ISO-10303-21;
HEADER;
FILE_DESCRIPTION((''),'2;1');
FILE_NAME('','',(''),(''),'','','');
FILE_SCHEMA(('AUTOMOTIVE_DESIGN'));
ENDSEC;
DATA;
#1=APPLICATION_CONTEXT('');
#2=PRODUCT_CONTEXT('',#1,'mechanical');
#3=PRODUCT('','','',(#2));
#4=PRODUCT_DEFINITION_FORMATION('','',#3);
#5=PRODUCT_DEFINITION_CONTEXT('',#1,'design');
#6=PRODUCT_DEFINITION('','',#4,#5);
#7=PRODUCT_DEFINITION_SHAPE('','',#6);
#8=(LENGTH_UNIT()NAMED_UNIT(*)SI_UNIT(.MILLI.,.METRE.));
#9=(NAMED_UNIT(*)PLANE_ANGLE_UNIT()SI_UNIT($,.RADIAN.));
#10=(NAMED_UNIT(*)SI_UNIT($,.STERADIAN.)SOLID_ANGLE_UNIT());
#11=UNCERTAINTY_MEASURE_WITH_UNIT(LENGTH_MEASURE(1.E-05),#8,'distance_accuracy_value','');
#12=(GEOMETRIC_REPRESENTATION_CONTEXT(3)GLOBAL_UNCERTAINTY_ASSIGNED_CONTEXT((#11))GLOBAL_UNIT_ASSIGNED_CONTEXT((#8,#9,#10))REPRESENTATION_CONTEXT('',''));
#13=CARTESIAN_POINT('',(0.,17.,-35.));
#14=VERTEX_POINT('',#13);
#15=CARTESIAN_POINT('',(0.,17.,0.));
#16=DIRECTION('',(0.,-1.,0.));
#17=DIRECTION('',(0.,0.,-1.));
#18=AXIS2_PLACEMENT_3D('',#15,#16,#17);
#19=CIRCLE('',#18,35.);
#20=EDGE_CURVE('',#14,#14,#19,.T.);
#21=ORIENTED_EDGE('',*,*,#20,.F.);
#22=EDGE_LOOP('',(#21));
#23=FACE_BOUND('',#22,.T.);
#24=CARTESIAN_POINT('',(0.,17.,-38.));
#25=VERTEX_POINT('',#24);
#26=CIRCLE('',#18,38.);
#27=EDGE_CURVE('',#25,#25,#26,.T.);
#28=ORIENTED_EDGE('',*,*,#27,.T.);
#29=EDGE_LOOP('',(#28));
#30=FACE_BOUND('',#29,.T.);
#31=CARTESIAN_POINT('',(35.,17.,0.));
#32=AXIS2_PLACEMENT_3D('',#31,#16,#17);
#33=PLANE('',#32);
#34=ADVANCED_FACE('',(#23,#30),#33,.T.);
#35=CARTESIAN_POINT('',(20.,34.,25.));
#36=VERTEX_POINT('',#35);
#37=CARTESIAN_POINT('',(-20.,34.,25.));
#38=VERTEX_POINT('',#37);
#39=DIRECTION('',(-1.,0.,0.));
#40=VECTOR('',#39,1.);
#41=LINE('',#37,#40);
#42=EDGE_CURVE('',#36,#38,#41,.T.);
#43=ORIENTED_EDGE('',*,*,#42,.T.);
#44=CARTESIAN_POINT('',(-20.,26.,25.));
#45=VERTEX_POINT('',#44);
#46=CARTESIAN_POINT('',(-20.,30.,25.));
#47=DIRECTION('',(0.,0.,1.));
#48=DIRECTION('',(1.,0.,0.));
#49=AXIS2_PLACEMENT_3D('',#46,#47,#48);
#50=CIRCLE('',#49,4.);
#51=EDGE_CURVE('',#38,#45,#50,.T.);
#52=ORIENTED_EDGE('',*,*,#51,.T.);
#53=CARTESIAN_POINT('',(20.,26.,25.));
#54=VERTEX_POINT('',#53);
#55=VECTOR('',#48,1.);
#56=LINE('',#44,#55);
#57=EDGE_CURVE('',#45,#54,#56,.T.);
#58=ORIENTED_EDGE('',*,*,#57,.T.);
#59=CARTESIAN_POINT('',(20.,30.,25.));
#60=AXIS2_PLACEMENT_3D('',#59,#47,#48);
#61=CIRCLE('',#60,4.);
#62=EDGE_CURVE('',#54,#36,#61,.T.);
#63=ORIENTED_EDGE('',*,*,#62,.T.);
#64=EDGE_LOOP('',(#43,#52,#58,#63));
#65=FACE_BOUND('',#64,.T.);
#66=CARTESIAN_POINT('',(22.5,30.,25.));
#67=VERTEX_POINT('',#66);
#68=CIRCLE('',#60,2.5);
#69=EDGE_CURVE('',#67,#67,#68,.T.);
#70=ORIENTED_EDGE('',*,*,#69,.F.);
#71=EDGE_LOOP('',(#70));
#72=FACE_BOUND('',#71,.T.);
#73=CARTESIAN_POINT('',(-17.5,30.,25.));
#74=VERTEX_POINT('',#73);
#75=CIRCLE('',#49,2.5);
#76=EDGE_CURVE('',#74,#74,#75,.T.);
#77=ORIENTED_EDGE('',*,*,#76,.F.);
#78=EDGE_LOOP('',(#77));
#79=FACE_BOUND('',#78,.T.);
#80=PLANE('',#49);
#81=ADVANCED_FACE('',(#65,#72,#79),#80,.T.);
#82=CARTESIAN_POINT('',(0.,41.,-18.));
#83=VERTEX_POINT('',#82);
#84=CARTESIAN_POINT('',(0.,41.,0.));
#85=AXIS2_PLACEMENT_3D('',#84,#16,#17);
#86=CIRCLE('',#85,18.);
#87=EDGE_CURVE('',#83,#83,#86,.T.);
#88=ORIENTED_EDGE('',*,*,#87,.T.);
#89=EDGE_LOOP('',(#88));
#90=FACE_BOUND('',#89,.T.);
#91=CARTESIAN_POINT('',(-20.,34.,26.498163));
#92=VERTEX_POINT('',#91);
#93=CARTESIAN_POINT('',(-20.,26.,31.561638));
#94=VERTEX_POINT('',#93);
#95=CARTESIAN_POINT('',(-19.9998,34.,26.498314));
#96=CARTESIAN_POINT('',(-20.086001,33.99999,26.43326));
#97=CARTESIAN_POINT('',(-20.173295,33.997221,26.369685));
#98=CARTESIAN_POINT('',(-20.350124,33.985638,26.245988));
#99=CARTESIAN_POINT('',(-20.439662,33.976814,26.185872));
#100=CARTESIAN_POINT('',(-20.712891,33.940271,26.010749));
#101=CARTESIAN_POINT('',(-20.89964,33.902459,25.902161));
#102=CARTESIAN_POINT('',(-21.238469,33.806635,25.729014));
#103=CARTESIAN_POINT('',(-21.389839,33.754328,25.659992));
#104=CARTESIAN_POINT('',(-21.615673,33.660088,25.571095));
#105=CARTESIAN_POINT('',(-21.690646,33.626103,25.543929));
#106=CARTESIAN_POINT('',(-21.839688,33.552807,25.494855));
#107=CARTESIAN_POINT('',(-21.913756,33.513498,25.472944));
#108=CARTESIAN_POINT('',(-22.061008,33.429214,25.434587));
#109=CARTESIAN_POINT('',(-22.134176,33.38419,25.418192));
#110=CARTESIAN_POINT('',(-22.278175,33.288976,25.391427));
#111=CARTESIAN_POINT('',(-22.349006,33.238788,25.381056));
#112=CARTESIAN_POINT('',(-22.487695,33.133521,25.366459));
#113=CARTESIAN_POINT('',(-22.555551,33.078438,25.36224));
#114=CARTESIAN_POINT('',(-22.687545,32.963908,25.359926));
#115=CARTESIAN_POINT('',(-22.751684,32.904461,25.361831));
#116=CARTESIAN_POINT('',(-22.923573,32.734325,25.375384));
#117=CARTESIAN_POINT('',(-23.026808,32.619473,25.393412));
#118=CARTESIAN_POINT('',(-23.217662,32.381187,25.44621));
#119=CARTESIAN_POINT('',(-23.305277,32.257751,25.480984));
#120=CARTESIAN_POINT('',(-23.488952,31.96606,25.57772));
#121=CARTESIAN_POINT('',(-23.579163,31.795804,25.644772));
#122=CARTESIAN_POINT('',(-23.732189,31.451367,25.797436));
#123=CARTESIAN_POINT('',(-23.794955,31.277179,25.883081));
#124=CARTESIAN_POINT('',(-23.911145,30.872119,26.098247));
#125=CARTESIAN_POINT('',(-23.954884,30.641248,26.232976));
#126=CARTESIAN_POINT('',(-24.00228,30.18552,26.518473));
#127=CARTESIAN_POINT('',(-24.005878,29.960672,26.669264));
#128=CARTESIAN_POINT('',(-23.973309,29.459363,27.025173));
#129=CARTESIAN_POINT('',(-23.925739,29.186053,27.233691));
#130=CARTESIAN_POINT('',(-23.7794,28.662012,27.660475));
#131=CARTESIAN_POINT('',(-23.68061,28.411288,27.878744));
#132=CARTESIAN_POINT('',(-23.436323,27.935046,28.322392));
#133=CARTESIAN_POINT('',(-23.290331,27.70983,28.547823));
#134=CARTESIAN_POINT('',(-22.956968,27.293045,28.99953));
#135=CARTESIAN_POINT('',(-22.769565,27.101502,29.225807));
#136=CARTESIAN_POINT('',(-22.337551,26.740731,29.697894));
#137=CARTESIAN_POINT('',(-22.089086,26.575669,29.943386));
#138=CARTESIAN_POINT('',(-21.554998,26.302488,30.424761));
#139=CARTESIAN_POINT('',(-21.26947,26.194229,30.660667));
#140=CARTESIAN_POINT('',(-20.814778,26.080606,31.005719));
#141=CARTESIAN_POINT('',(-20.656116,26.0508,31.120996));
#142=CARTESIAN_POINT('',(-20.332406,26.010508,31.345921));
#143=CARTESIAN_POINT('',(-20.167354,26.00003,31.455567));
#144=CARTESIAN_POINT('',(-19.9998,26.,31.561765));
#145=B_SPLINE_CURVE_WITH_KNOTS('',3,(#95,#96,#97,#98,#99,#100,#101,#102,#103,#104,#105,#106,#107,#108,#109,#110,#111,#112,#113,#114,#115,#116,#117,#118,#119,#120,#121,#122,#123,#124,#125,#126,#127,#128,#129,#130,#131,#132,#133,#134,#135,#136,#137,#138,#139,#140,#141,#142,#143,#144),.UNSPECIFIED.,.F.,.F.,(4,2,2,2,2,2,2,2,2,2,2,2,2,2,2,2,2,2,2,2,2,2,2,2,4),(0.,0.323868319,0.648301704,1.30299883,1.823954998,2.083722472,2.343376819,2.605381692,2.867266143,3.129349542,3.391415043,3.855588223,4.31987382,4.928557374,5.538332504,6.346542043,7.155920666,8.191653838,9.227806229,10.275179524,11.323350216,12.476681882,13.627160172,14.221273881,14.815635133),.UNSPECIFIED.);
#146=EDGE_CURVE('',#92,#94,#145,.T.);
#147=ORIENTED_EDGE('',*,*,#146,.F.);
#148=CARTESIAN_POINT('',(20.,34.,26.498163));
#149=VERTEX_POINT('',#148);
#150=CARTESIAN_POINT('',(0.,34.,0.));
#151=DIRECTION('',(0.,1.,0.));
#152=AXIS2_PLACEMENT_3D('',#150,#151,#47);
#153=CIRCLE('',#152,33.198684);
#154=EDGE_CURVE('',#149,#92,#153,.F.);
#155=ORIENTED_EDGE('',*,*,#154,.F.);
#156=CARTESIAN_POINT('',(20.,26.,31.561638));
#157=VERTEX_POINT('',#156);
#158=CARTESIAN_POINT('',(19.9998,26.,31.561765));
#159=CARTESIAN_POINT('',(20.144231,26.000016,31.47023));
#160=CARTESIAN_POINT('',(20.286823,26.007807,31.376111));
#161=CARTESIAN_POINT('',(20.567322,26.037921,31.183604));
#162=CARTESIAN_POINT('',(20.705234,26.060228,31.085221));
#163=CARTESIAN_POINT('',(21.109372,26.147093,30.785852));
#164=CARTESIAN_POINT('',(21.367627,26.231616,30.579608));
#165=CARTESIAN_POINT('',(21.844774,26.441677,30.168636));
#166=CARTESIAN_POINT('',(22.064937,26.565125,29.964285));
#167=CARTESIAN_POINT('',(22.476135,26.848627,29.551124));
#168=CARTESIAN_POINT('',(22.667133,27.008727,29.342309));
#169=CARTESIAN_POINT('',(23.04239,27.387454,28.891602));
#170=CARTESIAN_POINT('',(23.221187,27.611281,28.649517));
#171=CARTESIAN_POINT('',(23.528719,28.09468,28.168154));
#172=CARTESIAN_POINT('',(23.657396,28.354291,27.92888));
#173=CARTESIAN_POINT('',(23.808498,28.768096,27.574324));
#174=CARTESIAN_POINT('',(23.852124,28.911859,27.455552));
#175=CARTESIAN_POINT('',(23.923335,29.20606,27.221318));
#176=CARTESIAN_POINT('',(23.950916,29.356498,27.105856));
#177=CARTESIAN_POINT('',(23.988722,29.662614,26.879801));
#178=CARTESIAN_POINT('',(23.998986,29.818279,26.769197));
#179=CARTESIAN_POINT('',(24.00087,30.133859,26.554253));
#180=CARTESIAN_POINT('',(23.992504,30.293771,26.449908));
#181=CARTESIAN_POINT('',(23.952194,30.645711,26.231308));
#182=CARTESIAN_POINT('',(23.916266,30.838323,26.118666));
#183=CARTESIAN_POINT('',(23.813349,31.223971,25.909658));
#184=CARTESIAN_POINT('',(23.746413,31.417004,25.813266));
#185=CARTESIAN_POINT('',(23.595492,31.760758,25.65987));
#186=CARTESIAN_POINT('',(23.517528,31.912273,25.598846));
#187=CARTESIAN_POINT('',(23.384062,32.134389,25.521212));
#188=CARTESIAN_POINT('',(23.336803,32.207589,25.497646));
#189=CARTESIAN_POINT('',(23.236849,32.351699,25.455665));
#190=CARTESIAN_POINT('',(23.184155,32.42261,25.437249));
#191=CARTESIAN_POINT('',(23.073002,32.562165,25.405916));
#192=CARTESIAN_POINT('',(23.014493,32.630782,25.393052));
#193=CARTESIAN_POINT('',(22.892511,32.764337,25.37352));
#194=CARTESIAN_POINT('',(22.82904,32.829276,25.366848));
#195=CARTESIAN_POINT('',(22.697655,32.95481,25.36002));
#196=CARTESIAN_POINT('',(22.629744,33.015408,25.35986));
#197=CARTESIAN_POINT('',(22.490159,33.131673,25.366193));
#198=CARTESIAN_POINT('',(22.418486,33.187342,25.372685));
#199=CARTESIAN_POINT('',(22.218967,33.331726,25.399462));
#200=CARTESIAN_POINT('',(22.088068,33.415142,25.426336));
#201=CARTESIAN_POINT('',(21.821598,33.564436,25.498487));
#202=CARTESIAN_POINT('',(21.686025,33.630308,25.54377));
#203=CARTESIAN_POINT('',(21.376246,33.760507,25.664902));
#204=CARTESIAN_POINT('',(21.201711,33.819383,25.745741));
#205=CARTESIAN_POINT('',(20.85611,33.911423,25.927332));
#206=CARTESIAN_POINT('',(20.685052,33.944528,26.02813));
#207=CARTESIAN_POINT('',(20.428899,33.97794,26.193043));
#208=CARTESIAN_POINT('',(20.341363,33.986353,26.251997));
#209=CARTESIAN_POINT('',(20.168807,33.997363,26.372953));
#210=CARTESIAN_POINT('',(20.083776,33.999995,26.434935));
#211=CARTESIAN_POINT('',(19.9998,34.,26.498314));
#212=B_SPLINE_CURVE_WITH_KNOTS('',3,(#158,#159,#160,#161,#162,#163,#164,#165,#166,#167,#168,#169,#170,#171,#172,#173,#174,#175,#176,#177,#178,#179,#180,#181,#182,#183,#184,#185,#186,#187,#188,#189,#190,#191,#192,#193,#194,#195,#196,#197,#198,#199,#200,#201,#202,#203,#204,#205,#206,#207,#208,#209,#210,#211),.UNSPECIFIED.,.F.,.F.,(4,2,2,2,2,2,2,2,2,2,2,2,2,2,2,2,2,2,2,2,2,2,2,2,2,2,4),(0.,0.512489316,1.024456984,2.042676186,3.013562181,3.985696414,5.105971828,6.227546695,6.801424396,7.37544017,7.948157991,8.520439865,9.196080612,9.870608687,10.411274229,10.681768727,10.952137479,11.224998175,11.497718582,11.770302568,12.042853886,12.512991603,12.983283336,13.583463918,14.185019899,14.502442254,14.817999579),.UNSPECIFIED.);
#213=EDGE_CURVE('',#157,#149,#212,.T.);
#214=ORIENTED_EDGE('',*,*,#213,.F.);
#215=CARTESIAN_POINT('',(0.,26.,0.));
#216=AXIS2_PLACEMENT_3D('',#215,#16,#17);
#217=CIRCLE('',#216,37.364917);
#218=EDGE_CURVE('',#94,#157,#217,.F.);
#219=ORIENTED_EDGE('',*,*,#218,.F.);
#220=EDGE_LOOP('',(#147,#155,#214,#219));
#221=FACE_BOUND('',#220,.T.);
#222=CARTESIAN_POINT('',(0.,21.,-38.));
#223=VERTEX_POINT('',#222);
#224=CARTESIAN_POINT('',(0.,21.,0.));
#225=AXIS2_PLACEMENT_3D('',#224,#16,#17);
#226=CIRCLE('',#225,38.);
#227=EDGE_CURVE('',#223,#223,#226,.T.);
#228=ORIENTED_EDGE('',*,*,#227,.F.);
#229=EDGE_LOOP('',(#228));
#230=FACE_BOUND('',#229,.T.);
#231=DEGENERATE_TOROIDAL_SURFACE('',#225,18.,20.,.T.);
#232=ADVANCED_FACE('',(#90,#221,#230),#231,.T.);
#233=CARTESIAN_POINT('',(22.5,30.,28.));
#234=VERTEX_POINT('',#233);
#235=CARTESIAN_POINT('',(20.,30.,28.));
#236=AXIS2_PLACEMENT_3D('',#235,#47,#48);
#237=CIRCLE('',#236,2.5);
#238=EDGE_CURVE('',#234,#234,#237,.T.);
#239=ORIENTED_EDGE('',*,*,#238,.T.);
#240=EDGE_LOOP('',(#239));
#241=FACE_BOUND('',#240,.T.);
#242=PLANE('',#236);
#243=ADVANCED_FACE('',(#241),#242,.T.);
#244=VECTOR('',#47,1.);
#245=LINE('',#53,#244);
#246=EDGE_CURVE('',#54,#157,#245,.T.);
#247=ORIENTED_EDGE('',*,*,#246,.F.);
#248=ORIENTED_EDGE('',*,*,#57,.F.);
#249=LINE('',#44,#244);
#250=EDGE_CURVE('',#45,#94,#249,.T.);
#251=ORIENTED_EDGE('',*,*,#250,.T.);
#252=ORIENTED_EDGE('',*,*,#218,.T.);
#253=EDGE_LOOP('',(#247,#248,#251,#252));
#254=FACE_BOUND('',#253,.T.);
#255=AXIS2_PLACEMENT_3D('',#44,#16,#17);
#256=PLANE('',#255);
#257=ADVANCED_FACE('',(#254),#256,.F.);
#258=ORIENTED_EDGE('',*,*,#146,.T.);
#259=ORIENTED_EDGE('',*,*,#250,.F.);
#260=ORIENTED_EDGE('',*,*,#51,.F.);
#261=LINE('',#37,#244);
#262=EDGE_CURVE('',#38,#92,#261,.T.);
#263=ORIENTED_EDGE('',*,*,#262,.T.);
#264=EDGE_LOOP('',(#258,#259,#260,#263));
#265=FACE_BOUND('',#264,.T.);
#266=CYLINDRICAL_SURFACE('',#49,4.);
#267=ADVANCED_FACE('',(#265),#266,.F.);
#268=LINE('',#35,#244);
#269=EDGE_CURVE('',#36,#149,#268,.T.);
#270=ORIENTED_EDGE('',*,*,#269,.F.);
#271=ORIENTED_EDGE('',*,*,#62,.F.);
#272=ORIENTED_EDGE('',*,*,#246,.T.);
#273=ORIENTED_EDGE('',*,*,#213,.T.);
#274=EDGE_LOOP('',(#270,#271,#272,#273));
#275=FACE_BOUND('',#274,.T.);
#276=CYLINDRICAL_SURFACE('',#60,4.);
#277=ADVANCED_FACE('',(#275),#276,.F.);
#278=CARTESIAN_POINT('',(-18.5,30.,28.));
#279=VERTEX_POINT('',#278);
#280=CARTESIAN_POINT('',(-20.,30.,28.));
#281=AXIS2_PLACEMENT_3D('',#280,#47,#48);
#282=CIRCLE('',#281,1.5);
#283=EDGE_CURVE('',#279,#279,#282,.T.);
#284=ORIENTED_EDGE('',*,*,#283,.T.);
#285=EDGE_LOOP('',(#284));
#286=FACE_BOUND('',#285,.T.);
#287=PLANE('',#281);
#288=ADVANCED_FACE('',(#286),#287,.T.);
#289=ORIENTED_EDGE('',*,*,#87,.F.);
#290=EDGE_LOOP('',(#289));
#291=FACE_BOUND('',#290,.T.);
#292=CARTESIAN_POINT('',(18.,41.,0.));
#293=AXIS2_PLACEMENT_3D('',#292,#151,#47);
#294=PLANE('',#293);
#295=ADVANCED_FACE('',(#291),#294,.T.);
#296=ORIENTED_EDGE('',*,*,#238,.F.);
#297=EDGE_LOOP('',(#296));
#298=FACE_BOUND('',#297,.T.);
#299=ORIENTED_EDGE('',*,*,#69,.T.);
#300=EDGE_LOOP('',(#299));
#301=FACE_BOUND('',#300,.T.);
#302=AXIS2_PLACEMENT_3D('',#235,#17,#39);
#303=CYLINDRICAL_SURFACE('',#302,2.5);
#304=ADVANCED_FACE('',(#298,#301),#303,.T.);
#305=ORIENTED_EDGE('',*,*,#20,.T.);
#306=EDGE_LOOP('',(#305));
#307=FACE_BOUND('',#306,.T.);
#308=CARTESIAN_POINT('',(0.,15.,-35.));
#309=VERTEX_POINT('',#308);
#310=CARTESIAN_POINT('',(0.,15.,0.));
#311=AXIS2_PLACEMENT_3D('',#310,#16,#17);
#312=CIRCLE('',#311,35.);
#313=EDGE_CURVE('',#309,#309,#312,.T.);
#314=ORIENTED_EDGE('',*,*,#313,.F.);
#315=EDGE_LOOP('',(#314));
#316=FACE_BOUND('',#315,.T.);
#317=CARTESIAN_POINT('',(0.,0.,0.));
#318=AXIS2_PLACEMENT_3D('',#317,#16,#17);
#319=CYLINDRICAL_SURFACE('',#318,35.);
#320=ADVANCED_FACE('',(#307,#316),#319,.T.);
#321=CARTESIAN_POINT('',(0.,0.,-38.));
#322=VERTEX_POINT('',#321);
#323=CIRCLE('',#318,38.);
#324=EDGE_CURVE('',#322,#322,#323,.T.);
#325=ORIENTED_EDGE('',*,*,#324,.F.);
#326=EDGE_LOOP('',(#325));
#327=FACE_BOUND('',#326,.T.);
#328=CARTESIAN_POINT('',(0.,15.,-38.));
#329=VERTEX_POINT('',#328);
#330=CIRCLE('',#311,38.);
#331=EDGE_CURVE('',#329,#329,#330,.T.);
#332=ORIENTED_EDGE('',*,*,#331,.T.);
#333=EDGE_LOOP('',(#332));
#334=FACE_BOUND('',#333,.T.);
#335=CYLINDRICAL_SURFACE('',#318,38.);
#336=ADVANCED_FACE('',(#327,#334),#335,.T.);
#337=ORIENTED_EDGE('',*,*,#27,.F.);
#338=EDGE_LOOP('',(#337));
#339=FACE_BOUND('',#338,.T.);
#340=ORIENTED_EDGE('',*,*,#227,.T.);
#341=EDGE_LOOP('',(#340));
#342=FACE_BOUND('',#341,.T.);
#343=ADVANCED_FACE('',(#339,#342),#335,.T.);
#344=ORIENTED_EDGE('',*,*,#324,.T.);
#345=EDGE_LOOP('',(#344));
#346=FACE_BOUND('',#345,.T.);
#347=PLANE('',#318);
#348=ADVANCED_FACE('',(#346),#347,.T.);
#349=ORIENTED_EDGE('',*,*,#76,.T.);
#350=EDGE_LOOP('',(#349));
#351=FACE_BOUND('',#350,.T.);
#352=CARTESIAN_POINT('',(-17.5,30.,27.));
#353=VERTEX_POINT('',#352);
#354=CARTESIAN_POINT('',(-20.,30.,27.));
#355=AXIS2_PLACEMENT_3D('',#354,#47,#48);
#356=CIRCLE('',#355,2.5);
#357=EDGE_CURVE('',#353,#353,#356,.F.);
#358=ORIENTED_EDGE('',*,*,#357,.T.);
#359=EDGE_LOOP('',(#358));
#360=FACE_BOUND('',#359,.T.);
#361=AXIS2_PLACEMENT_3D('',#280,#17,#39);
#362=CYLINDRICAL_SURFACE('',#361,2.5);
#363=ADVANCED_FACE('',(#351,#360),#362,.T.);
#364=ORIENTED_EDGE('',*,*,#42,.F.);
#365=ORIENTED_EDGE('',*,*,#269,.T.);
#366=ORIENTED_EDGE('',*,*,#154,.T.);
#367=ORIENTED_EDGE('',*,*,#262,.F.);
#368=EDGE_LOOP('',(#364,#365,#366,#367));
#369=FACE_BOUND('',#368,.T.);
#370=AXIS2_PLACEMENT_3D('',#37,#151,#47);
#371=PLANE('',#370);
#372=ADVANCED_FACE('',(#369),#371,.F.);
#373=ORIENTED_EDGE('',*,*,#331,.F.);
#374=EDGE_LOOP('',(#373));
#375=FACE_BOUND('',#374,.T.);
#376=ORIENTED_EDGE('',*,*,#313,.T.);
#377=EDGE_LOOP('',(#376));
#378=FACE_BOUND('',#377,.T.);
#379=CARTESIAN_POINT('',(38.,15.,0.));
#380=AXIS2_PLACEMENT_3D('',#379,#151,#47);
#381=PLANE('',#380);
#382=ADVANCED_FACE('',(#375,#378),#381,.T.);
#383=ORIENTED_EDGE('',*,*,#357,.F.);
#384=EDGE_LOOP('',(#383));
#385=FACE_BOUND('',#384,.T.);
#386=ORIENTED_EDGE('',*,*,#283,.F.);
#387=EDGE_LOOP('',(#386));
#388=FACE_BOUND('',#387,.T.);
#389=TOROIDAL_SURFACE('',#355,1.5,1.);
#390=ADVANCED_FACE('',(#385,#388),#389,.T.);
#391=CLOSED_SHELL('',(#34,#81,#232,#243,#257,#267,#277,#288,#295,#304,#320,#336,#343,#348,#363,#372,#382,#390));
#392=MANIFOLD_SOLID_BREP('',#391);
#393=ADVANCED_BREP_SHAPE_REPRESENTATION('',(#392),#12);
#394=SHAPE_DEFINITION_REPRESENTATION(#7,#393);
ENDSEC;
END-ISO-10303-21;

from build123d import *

# Parameters (mm, degrees)
CUT_EXTRUDE_START   = 40
CUT_EXTRUDE_1_DEPTH = 15
SKETCH_3_R          = 2.5
EXTRUDE_1_DEPTH     = 3
FILLET_1_R          = 1


with BuildPart() as part:
    # 草图1 → 旋转1 (revolve)
    with BuildSketch(Plane.XY, mode=Mode.PRIVATE) as revolve_1_sk:
        with BuildLine():
            Line((0, 0), (38, 0))
            Line((38, 0), (38, 15))
            Line((38, 15), (35, 15))
            Line((35, 15), (35, 17))
            Line((35, 17), (38, 17))
            Line((38, 17), (38, 21))
            ThreePointArc((38, 21), (32.142135624, 35.142135624), (18, 41))
            Line((18, 41), (0, 41))
            Line((0, 41), (0, 0))
        make_face()
    revolve(revolve_1_sk.sketch.rotate(Axis((0, 0, 0), (0, 1, 0)), 90), axis=Axis((0, 0, 0), (0, 1, 0)))

    # 草图2 → 切除-拉伸1 (cut)
    with BuildSketch(Plane.XY.offset(CUT_EXTRUDE_START)):
        with BuildLine():
            Line((-20, 34), (20, 34))
            ThreePointArc((20, 34), (24, 30), (20, 26))
            Line((20, 26), (-20, 26))
            ThreePointArc((-20, 26), (-24, 30), (-20, 34))
        make_face()
    extrude(amount=-CUT_EXTRUDE_1_DEPTH, mode=Mode.SUBTRACT)

    # 草图3 → 凸台-拉伸1 (add)
    with BuildSketch(Plane.XY.offset(25)):
        with Locations((-20, 30)):
            Circle(SKETCH_3_R)
        with Locations((20, 30)):
            Circle(SKETCH_3_R)
    extrude(amount=EXTRUDE_1_DEPTH)

    # 圆角1
    fillet_1_edges = [part.edges().sort_by_distance(p)[0] for p in [
        (-22.5, 30, 28),
    ]]
    fillet(fillet_1_edges, radius=FILLET_1_R)


solid = part.part
